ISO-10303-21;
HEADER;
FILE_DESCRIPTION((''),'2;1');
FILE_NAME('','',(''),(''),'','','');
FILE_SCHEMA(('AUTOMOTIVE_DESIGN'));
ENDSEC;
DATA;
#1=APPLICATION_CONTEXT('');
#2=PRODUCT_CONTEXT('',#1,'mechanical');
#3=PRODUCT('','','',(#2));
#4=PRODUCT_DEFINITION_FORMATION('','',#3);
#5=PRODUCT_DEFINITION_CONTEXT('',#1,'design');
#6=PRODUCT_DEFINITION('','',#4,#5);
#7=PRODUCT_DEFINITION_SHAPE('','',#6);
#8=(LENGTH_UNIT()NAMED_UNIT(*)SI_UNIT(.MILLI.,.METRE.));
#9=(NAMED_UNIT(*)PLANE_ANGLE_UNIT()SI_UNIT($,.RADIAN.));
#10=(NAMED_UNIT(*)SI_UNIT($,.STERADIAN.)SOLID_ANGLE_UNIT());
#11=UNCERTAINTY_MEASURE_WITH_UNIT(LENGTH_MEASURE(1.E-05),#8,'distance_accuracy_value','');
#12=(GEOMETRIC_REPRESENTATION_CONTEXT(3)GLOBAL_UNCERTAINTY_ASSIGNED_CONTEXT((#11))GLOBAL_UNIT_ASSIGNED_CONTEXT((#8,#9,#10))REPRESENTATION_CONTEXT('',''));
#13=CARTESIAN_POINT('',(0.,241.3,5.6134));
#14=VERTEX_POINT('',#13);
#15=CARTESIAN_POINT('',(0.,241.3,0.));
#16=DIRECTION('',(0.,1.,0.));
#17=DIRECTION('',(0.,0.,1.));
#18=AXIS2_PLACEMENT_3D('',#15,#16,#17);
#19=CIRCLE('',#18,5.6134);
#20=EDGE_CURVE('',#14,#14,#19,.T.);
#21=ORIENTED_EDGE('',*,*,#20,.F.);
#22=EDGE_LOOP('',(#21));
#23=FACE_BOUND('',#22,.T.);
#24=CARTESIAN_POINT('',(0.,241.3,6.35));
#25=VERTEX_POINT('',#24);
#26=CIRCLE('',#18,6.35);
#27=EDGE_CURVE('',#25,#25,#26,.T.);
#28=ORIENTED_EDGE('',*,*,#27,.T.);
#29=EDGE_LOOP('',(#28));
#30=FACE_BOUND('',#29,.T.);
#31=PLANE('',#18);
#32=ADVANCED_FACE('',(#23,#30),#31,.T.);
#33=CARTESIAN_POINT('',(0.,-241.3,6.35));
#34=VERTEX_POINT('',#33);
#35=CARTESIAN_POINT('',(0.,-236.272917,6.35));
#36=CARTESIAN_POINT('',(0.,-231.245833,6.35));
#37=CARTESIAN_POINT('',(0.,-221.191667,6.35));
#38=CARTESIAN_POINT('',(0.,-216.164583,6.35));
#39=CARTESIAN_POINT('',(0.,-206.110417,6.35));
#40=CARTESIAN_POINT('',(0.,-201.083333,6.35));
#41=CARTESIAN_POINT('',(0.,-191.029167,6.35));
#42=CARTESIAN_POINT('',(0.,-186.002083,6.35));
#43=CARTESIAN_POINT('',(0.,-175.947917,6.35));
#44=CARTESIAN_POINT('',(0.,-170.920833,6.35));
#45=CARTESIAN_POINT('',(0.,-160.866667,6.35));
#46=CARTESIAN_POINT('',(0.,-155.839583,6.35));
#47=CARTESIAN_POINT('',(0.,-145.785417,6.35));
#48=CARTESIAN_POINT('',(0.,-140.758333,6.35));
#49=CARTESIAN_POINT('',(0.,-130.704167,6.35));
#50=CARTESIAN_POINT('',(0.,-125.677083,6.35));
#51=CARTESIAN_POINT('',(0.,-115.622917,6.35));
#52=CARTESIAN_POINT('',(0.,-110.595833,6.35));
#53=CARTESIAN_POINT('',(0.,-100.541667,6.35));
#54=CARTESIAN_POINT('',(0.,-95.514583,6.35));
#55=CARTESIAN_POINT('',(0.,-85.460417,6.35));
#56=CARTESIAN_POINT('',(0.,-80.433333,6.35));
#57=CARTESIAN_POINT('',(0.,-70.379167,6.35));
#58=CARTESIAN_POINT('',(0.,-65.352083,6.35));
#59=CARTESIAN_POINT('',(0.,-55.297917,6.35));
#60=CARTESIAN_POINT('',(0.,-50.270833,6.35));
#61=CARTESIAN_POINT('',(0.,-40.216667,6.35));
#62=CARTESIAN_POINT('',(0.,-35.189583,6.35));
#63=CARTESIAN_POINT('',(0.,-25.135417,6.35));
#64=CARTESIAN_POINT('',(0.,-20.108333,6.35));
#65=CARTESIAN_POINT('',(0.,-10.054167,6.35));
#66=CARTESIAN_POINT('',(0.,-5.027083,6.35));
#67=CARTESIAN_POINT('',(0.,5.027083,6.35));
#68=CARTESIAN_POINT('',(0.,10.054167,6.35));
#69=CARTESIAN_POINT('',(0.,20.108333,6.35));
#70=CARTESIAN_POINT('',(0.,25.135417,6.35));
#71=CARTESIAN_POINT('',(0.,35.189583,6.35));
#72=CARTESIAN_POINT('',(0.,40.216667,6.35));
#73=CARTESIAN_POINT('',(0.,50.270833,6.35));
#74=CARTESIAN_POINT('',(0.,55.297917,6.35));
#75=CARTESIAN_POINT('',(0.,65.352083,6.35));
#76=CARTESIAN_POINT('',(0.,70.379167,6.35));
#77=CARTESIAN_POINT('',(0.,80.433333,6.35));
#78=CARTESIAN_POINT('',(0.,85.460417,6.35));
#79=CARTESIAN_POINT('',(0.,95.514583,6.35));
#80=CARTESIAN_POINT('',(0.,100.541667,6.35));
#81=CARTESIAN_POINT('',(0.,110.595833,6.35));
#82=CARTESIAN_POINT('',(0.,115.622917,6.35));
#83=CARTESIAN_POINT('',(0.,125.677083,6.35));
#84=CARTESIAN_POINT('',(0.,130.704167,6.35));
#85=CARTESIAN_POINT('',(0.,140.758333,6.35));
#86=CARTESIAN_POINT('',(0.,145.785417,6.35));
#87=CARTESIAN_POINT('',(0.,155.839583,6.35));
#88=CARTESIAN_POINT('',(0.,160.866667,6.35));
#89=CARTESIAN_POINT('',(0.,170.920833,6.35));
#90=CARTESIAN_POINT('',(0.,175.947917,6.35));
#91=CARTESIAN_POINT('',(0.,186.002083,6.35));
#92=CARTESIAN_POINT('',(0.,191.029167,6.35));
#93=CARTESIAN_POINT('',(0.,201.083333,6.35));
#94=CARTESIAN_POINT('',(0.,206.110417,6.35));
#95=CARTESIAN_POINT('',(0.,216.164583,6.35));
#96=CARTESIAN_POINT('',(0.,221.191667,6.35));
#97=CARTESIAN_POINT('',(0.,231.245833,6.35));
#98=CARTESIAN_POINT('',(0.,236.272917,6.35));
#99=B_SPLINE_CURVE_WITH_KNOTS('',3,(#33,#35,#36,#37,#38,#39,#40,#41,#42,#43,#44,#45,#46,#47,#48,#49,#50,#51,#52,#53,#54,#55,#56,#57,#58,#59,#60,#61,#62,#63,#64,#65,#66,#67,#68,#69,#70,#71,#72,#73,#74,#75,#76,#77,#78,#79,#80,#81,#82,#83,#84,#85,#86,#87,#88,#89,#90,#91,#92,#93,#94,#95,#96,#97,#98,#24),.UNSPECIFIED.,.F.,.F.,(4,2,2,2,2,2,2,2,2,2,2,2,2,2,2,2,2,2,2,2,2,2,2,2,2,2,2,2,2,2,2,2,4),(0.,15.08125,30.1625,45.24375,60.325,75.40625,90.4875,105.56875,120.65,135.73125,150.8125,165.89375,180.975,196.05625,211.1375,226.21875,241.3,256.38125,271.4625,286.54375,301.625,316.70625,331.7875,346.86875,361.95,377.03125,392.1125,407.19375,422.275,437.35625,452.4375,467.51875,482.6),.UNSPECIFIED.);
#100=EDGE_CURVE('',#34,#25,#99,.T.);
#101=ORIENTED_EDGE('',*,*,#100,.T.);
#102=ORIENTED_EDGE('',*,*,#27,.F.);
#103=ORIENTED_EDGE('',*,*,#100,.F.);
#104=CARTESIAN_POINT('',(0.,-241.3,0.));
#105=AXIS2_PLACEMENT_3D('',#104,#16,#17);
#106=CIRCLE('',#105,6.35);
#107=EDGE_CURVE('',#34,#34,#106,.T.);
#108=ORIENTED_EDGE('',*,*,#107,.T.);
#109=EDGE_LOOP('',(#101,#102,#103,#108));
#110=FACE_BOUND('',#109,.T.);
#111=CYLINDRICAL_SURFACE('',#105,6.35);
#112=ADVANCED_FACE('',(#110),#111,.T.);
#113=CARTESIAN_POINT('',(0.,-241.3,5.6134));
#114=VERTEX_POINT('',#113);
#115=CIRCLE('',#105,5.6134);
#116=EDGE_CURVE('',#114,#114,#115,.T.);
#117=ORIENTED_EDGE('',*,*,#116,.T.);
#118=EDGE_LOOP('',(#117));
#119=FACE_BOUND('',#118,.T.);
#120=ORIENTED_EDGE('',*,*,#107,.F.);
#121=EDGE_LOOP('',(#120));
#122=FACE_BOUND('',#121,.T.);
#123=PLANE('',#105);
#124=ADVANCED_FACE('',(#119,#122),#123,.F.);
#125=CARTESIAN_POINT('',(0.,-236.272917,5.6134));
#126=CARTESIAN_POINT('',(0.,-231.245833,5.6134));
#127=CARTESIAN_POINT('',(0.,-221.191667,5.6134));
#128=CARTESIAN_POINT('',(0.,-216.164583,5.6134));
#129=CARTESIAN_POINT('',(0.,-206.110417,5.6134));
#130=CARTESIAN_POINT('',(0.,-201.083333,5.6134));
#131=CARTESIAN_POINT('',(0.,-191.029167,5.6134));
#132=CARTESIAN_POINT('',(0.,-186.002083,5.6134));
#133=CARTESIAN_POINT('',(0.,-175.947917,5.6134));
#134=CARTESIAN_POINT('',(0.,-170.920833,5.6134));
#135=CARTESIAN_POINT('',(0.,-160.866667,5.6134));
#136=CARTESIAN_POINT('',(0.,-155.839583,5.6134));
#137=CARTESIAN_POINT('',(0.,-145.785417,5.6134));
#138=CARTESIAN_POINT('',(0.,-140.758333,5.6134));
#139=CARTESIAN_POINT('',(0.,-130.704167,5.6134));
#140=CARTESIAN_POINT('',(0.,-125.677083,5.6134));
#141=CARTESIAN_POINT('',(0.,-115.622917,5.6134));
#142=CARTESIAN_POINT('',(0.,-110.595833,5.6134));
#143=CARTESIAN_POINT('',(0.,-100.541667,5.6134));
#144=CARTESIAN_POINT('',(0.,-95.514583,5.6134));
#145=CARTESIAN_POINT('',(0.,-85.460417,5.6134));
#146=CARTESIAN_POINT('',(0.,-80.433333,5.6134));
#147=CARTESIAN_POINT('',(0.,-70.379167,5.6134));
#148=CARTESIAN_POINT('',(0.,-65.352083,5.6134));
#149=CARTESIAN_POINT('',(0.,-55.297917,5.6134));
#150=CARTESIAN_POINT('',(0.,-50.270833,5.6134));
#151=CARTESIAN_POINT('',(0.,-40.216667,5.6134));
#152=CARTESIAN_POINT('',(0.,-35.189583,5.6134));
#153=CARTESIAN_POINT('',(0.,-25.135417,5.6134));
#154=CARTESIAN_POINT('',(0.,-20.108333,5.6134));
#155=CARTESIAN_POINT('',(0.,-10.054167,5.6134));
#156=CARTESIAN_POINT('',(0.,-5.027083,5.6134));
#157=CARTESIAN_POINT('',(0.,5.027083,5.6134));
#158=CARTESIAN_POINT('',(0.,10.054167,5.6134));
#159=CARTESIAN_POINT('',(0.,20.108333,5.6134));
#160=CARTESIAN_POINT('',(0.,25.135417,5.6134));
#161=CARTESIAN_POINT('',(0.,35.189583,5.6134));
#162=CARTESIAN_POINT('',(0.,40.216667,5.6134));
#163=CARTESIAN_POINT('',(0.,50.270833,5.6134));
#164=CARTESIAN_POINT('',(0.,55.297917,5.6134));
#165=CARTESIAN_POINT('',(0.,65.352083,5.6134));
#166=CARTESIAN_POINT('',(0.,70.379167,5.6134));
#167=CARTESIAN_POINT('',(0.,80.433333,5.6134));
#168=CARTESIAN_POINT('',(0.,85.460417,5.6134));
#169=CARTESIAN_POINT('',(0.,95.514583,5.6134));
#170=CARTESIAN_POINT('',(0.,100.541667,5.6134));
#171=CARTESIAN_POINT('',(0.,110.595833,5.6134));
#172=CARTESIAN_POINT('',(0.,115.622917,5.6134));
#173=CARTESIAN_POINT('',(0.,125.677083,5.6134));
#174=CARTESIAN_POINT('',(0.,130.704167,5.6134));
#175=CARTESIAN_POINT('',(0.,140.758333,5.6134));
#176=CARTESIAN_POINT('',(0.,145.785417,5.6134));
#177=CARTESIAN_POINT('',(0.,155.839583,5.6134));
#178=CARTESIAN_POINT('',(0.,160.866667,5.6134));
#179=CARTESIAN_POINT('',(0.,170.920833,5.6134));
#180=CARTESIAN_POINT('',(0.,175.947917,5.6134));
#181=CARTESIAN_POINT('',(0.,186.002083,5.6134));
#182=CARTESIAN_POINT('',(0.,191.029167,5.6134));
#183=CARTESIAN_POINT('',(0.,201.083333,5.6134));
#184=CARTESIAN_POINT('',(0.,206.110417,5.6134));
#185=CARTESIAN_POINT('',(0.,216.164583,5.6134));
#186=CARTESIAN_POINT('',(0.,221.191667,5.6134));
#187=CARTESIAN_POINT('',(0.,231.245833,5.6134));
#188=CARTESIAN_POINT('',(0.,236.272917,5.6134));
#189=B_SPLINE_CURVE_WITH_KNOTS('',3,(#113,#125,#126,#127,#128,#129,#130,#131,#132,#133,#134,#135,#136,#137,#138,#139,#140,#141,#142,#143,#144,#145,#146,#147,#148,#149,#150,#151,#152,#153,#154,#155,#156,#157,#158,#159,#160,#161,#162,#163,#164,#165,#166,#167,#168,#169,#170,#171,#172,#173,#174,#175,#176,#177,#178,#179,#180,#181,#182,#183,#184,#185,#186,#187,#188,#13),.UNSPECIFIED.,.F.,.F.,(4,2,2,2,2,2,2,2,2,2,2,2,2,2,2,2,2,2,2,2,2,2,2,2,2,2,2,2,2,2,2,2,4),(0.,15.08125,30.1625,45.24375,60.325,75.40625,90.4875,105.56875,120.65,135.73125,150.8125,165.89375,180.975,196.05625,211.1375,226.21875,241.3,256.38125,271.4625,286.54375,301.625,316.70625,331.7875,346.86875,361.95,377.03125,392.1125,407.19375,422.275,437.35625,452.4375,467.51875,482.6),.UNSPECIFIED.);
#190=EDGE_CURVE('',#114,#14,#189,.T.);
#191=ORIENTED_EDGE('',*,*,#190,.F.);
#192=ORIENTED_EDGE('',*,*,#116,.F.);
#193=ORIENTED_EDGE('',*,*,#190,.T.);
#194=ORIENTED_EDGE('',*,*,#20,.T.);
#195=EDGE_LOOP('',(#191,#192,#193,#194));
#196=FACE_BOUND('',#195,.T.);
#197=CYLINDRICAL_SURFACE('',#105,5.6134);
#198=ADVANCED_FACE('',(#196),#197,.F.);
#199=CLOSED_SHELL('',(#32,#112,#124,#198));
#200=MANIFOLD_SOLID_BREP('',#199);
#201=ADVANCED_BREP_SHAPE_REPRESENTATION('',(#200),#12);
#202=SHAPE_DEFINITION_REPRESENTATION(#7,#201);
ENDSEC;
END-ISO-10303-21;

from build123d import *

# Parameters (mm, degrees)
TUBE_STOCK_EXTRUDE_DEPTH      = 241.3
TUBE_STOCK_EXTRUDE_DEPTH_BACK = 241.3
SKETCH2_R                     = 6.35
SKETCH2_R_2                   = 5.6134


with BuildPart() as part:
    # Sketch2 → Tube Stock - Extrude (new, two sides: drawn at the far end of the back side and taken through both)
    with BuildSketch(Plane(origin=(0, 0, 0), x_dir=(1, 0, 0), z_dir=(0, 1, 0)).offset(-TUBE_STOCK_EXTRUDE_DEPTH_BACK)):
        with Locations(Location((0, 0, 0), (0, 0, 270))):
            Circle(SKETCH2_R)
        with Locations(Location((0, 0, 0), (0, 0, 270))):
            Circle(SKETCH2_R_2, mode=Mode.SUBTRACT)
    extrude(amount=TUBE_STOCK_EXTRUDE_DEPTH + TUBE_STOCK_EXTRUDE_DEPTH_BACK)


solid = part.part
